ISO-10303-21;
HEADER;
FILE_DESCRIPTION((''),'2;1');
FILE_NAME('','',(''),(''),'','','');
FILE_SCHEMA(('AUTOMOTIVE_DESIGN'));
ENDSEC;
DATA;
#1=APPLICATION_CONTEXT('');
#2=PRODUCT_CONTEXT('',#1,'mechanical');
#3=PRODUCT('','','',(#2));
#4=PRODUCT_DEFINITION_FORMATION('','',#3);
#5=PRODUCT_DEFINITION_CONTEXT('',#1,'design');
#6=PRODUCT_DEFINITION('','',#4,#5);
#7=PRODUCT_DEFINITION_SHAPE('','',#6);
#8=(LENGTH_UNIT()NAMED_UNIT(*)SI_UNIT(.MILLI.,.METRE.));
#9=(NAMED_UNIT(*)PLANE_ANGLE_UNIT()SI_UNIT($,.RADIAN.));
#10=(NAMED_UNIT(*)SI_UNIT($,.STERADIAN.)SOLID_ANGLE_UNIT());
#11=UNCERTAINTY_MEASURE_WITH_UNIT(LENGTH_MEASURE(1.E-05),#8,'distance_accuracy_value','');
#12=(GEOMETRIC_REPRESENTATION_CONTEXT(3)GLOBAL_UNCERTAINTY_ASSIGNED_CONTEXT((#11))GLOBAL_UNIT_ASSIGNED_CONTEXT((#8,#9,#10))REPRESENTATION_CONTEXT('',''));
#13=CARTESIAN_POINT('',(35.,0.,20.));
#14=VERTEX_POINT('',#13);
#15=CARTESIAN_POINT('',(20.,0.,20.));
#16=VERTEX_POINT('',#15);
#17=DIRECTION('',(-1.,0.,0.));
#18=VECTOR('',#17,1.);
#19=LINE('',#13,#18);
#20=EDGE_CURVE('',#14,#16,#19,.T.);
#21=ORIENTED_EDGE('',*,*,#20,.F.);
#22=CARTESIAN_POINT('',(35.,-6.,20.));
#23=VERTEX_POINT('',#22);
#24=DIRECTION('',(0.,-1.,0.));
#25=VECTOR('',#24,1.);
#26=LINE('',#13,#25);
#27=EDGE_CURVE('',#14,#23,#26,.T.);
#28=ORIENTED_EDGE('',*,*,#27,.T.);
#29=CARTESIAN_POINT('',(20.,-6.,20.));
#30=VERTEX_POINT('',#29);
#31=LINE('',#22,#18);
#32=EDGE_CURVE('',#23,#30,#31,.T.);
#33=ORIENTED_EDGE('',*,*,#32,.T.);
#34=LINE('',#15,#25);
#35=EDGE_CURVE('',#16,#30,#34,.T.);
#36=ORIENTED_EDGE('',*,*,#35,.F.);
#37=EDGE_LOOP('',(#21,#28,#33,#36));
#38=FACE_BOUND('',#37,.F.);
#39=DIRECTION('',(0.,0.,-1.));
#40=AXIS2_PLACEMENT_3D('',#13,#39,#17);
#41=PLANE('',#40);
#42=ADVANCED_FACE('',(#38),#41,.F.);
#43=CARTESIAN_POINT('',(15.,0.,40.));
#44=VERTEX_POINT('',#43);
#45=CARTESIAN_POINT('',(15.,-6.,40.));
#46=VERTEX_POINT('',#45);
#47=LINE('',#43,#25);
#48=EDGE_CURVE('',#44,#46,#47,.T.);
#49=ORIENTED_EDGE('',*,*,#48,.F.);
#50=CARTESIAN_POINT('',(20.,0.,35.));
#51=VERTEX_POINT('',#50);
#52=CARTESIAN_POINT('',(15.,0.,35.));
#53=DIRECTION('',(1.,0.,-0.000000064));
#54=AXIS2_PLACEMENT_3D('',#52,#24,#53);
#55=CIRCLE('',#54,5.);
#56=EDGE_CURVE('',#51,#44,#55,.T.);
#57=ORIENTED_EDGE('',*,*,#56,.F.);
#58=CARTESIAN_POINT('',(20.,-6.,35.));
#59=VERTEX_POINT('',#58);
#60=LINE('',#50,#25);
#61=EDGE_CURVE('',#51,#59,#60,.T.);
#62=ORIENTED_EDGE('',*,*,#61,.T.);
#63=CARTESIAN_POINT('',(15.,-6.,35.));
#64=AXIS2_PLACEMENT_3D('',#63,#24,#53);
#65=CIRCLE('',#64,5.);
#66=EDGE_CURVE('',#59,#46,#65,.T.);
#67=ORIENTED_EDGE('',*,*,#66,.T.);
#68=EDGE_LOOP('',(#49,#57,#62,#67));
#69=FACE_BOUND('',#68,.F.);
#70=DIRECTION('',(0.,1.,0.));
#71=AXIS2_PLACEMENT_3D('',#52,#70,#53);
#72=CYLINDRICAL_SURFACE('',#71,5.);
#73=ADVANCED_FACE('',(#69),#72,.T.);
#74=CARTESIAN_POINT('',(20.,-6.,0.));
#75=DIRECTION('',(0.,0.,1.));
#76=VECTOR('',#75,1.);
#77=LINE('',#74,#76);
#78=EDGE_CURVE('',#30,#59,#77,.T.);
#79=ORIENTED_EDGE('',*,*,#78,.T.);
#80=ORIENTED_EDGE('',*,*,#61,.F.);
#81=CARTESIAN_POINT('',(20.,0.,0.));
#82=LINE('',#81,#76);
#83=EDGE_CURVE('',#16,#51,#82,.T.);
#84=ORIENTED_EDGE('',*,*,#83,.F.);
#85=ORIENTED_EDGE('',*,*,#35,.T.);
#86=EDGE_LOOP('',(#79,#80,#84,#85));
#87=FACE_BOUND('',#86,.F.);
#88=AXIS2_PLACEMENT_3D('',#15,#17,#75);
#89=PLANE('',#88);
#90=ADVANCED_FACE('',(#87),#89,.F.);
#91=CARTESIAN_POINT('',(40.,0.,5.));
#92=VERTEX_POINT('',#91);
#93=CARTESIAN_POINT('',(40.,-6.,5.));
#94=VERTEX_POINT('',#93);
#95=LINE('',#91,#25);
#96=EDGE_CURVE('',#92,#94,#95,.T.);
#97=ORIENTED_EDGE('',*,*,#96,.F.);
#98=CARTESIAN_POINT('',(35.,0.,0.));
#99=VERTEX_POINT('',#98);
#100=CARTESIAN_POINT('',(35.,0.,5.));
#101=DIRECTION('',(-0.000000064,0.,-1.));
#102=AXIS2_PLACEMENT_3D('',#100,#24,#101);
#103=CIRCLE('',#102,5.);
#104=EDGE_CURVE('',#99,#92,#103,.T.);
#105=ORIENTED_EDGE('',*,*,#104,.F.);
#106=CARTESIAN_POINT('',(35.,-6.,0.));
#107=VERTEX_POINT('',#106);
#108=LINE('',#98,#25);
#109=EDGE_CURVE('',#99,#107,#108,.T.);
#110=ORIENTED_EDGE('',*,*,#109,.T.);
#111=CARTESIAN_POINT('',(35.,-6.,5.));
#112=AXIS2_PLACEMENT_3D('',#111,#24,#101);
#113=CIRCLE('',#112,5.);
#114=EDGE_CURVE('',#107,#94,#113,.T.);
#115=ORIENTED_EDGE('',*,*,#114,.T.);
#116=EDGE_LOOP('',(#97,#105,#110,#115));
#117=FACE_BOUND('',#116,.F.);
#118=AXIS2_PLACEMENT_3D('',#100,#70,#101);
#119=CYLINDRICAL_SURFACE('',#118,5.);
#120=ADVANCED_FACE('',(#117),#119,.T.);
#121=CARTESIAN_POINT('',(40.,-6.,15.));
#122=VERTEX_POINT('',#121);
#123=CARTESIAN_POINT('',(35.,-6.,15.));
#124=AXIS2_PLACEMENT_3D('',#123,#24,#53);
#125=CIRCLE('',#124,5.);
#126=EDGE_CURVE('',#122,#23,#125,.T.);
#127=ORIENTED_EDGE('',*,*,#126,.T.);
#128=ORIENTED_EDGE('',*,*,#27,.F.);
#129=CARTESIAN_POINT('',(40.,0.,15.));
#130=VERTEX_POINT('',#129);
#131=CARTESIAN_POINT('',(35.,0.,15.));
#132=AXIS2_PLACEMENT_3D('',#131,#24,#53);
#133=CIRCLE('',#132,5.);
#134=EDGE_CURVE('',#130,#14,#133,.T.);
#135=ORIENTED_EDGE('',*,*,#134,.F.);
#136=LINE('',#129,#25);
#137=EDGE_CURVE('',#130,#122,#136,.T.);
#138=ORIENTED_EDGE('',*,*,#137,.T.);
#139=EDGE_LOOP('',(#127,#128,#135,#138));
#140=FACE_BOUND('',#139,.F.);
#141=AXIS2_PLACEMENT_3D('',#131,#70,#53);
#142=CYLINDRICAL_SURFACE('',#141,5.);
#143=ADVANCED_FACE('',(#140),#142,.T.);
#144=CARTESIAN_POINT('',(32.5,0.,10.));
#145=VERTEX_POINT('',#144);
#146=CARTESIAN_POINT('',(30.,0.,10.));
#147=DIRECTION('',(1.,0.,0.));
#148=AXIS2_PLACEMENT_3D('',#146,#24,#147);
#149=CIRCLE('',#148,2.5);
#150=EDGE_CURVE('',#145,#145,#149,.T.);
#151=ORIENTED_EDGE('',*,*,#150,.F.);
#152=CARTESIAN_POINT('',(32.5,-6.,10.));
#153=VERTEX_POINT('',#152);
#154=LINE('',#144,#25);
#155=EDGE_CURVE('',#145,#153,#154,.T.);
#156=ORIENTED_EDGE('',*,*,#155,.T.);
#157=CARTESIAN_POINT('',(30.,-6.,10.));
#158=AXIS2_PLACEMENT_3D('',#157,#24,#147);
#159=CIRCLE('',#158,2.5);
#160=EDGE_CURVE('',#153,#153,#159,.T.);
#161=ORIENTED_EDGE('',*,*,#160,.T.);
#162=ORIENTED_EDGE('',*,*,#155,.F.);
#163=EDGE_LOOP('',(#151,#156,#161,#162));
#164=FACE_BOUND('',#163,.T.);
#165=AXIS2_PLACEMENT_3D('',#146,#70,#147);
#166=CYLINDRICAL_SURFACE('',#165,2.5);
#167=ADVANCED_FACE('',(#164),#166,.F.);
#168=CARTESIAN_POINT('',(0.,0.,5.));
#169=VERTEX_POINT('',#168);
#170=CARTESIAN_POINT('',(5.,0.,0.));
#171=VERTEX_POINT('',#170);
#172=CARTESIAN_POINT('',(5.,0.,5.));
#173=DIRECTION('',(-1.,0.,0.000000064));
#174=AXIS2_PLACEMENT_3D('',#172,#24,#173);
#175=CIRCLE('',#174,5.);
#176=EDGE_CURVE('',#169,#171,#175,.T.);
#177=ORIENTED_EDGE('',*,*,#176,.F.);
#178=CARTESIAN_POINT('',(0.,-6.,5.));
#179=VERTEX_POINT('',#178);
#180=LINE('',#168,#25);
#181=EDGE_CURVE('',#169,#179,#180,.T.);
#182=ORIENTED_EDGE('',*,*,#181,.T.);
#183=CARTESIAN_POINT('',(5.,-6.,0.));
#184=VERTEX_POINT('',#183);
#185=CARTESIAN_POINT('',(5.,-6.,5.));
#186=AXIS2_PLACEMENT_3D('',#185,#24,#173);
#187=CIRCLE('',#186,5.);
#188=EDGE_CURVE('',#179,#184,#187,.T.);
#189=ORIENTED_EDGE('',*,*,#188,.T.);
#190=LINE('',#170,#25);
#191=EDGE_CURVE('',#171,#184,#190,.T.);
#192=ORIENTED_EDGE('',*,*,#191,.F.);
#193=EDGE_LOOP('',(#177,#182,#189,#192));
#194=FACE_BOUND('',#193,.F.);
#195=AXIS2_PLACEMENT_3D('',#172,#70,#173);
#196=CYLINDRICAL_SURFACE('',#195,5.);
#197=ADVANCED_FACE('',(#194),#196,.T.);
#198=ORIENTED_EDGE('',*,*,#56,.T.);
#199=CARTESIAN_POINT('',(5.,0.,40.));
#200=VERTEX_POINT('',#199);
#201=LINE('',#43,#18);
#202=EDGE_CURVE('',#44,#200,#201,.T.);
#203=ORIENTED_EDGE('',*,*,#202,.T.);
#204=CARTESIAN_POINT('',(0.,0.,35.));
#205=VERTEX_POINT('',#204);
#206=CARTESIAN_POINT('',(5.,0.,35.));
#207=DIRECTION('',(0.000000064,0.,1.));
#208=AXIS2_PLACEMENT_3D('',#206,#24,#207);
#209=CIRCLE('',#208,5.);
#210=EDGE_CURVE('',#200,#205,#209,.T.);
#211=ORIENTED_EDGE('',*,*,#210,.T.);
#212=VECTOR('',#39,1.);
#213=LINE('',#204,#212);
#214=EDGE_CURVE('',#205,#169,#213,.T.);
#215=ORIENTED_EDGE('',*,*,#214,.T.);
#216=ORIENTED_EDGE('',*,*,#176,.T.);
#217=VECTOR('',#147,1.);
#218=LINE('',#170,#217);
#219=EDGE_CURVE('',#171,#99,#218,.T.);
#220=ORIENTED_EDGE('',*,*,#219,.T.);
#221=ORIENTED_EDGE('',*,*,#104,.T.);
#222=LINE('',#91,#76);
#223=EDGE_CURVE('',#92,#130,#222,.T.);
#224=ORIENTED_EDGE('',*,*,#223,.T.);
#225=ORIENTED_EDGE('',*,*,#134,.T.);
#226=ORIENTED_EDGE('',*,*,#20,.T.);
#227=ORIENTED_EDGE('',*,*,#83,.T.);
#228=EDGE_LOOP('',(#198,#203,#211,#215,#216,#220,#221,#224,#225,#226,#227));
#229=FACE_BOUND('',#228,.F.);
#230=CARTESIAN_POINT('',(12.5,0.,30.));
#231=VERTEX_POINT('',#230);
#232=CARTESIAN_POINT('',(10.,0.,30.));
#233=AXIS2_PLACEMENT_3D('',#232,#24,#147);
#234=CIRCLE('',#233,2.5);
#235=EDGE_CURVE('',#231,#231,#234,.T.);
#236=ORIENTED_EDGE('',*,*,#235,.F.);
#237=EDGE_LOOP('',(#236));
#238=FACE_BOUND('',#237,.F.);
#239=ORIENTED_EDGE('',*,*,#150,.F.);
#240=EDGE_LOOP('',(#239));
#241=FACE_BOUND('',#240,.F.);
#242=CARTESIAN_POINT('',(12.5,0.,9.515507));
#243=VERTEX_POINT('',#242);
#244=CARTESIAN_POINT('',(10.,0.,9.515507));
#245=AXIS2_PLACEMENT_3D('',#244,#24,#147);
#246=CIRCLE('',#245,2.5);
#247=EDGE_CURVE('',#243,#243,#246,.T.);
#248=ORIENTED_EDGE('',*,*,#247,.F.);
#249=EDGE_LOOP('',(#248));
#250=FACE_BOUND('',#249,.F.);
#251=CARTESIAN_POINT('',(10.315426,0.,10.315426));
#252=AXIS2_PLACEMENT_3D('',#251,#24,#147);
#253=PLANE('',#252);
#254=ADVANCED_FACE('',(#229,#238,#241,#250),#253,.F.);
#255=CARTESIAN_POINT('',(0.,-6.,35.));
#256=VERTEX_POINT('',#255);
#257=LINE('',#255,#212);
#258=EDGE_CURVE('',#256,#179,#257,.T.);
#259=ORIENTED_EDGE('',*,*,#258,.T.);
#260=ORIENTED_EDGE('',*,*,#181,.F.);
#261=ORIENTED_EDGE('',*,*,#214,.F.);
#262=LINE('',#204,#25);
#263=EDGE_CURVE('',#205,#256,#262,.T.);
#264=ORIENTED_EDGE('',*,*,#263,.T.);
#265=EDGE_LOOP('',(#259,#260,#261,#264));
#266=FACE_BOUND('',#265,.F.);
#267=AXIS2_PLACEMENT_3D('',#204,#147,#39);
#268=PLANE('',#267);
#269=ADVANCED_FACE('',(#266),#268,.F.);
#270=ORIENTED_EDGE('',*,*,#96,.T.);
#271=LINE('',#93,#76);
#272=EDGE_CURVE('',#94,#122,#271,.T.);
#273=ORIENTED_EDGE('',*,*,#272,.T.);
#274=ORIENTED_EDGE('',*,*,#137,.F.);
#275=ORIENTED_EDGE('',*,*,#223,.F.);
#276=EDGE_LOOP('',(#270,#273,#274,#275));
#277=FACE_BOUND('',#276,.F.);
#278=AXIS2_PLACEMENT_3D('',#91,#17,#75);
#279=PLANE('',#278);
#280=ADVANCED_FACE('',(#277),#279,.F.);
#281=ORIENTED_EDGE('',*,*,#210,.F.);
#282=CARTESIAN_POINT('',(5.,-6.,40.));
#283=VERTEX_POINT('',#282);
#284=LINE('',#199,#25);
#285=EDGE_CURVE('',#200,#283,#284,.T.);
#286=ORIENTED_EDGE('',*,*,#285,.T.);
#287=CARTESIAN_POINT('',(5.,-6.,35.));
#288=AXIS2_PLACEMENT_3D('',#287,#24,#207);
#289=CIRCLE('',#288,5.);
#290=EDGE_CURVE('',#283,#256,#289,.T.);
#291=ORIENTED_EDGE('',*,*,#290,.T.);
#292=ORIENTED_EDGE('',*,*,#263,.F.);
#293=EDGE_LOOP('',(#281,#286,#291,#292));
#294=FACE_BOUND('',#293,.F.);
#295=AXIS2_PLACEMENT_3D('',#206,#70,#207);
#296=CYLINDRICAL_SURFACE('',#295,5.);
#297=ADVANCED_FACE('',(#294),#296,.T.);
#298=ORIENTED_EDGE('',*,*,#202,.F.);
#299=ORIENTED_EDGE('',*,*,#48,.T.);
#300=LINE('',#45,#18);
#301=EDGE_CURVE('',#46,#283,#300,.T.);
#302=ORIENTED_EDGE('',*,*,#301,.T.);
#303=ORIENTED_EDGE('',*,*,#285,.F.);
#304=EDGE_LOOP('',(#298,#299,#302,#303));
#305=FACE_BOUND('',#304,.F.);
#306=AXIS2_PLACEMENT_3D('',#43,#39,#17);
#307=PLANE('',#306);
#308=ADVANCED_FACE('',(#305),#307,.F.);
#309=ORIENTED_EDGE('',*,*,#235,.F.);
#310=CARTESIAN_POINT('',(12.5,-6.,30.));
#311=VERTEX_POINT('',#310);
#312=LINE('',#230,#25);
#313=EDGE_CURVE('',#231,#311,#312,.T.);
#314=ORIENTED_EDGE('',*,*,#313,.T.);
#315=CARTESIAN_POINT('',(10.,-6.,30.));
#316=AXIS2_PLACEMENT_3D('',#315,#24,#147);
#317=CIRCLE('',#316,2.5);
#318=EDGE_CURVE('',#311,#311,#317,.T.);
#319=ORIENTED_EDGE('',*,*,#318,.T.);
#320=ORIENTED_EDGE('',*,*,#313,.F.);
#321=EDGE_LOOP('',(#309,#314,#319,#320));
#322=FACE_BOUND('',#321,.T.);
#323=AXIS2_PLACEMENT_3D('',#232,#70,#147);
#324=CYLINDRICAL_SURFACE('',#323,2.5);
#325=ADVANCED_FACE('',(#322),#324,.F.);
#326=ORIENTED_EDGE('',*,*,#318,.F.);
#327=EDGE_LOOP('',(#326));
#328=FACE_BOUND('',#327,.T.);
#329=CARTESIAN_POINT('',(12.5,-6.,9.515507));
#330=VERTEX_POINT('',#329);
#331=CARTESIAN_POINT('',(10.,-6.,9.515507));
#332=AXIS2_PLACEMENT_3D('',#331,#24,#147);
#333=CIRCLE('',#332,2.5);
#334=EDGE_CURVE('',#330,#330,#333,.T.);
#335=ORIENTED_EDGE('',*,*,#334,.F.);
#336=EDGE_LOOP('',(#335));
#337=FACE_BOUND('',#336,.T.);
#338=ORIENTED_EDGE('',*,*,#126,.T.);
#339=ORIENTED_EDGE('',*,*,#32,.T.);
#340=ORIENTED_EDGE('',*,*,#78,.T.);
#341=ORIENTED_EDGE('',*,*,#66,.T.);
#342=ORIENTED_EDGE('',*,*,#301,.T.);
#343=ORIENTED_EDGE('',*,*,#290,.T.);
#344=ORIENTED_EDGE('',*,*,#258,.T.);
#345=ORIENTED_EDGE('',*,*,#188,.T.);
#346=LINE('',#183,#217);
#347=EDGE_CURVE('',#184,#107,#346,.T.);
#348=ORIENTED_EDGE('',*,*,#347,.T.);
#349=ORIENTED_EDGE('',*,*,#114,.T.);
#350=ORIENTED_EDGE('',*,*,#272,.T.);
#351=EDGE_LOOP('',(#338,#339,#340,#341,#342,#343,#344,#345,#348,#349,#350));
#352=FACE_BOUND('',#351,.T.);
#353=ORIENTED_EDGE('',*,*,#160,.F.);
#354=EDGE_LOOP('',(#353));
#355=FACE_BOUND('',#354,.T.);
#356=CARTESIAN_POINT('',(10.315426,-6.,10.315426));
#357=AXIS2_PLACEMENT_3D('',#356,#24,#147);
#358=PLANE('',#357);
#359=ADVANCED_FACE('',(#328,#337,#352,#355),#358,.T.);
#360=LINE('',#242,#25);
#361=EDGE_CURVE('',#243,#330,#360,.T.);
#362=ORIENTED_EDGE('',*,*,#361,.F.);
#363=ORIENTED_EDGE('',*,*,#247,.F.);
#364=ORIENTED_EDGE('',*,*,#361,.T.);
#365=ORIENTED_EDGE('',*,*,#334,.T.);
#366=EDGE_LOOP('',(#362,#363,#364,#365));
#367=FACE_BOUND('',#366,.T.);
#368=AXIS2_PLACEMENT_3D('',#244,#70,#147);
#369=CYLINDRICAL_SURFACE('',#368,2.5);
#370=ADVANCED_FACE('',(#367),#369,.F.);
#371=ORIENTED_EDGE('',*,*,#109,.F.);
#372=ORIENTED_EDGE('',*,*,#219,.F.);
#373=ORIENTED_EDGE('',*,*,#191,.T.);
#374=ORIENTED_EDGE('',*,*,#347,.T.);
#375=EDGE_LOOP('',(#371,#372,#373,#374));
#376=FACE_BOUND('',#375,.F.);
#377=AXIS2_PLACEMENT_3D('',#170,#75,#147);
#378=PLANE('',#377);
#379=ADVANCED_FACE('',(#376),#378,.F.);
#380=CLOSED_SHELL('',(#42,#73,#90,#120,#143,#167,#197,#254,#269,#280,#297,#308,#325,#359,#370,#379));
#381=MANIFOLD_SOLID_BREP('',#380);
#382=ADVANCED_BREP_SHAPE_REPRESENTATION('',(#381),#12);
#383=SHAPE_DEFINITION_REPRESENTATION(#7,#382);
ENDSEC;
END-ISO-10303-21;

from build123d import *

# Parameters (mm, degrees)
F0_R     = 2.5
F1_DEPTH = 6


with BuildPart() as f1:
    # F0 (on Front) → F1 (new body)
    with BuildSketch(Plane.XZ):
        with BuildLine():
            ThreePointArc((0, 5), (1.464466, 1.464466), (5, 0))
            Line((5, 0), (20, 0))
            Line((20, 0), (20, 20))
            Line((20, 20), (0, 20))
            Line((0, 20), (0, 5))
        make_face()
        with Locations((10, 9.515507)):
            Circle(F0_R, mode=Mode.SUBTRACT)
        with BuildLine():
            Line((0, 20), (20, 20))
            Line((20, 20), (20, 35))
            ThreePointArc((20, 35), (18.535534, 38.535534), (15, 40))
            Line((15, 40), (5, 40))
            ThreePointArc((5, 40), (1.464466, 38.535534), (0, 35))
            Line((0, 35), (0, 20))
        make_face()
        with Locations((10, 30)):
            Circle(F0_R, mode=Mode.SUBTRACT)
        with BuildLine():
            Line((20, 20), (20, 0))
            Line((20, 0), (35, 0))
            ThreePointArc((35, 0), (38.535534, 1.464466), (40, 5))
            Line((40, 5), (40, 15))
            ThreePointArc((40, 15), (38.535534, 18.535534), (35, 20))
            Line((35, 20), (20, 20))
        make_face()
        with Locations((30, 10)):
            Circle(F0_R, mode=Mode.SUBTRACT)
    extrude(amount=F1_DEPTH)


solid = f1.part
